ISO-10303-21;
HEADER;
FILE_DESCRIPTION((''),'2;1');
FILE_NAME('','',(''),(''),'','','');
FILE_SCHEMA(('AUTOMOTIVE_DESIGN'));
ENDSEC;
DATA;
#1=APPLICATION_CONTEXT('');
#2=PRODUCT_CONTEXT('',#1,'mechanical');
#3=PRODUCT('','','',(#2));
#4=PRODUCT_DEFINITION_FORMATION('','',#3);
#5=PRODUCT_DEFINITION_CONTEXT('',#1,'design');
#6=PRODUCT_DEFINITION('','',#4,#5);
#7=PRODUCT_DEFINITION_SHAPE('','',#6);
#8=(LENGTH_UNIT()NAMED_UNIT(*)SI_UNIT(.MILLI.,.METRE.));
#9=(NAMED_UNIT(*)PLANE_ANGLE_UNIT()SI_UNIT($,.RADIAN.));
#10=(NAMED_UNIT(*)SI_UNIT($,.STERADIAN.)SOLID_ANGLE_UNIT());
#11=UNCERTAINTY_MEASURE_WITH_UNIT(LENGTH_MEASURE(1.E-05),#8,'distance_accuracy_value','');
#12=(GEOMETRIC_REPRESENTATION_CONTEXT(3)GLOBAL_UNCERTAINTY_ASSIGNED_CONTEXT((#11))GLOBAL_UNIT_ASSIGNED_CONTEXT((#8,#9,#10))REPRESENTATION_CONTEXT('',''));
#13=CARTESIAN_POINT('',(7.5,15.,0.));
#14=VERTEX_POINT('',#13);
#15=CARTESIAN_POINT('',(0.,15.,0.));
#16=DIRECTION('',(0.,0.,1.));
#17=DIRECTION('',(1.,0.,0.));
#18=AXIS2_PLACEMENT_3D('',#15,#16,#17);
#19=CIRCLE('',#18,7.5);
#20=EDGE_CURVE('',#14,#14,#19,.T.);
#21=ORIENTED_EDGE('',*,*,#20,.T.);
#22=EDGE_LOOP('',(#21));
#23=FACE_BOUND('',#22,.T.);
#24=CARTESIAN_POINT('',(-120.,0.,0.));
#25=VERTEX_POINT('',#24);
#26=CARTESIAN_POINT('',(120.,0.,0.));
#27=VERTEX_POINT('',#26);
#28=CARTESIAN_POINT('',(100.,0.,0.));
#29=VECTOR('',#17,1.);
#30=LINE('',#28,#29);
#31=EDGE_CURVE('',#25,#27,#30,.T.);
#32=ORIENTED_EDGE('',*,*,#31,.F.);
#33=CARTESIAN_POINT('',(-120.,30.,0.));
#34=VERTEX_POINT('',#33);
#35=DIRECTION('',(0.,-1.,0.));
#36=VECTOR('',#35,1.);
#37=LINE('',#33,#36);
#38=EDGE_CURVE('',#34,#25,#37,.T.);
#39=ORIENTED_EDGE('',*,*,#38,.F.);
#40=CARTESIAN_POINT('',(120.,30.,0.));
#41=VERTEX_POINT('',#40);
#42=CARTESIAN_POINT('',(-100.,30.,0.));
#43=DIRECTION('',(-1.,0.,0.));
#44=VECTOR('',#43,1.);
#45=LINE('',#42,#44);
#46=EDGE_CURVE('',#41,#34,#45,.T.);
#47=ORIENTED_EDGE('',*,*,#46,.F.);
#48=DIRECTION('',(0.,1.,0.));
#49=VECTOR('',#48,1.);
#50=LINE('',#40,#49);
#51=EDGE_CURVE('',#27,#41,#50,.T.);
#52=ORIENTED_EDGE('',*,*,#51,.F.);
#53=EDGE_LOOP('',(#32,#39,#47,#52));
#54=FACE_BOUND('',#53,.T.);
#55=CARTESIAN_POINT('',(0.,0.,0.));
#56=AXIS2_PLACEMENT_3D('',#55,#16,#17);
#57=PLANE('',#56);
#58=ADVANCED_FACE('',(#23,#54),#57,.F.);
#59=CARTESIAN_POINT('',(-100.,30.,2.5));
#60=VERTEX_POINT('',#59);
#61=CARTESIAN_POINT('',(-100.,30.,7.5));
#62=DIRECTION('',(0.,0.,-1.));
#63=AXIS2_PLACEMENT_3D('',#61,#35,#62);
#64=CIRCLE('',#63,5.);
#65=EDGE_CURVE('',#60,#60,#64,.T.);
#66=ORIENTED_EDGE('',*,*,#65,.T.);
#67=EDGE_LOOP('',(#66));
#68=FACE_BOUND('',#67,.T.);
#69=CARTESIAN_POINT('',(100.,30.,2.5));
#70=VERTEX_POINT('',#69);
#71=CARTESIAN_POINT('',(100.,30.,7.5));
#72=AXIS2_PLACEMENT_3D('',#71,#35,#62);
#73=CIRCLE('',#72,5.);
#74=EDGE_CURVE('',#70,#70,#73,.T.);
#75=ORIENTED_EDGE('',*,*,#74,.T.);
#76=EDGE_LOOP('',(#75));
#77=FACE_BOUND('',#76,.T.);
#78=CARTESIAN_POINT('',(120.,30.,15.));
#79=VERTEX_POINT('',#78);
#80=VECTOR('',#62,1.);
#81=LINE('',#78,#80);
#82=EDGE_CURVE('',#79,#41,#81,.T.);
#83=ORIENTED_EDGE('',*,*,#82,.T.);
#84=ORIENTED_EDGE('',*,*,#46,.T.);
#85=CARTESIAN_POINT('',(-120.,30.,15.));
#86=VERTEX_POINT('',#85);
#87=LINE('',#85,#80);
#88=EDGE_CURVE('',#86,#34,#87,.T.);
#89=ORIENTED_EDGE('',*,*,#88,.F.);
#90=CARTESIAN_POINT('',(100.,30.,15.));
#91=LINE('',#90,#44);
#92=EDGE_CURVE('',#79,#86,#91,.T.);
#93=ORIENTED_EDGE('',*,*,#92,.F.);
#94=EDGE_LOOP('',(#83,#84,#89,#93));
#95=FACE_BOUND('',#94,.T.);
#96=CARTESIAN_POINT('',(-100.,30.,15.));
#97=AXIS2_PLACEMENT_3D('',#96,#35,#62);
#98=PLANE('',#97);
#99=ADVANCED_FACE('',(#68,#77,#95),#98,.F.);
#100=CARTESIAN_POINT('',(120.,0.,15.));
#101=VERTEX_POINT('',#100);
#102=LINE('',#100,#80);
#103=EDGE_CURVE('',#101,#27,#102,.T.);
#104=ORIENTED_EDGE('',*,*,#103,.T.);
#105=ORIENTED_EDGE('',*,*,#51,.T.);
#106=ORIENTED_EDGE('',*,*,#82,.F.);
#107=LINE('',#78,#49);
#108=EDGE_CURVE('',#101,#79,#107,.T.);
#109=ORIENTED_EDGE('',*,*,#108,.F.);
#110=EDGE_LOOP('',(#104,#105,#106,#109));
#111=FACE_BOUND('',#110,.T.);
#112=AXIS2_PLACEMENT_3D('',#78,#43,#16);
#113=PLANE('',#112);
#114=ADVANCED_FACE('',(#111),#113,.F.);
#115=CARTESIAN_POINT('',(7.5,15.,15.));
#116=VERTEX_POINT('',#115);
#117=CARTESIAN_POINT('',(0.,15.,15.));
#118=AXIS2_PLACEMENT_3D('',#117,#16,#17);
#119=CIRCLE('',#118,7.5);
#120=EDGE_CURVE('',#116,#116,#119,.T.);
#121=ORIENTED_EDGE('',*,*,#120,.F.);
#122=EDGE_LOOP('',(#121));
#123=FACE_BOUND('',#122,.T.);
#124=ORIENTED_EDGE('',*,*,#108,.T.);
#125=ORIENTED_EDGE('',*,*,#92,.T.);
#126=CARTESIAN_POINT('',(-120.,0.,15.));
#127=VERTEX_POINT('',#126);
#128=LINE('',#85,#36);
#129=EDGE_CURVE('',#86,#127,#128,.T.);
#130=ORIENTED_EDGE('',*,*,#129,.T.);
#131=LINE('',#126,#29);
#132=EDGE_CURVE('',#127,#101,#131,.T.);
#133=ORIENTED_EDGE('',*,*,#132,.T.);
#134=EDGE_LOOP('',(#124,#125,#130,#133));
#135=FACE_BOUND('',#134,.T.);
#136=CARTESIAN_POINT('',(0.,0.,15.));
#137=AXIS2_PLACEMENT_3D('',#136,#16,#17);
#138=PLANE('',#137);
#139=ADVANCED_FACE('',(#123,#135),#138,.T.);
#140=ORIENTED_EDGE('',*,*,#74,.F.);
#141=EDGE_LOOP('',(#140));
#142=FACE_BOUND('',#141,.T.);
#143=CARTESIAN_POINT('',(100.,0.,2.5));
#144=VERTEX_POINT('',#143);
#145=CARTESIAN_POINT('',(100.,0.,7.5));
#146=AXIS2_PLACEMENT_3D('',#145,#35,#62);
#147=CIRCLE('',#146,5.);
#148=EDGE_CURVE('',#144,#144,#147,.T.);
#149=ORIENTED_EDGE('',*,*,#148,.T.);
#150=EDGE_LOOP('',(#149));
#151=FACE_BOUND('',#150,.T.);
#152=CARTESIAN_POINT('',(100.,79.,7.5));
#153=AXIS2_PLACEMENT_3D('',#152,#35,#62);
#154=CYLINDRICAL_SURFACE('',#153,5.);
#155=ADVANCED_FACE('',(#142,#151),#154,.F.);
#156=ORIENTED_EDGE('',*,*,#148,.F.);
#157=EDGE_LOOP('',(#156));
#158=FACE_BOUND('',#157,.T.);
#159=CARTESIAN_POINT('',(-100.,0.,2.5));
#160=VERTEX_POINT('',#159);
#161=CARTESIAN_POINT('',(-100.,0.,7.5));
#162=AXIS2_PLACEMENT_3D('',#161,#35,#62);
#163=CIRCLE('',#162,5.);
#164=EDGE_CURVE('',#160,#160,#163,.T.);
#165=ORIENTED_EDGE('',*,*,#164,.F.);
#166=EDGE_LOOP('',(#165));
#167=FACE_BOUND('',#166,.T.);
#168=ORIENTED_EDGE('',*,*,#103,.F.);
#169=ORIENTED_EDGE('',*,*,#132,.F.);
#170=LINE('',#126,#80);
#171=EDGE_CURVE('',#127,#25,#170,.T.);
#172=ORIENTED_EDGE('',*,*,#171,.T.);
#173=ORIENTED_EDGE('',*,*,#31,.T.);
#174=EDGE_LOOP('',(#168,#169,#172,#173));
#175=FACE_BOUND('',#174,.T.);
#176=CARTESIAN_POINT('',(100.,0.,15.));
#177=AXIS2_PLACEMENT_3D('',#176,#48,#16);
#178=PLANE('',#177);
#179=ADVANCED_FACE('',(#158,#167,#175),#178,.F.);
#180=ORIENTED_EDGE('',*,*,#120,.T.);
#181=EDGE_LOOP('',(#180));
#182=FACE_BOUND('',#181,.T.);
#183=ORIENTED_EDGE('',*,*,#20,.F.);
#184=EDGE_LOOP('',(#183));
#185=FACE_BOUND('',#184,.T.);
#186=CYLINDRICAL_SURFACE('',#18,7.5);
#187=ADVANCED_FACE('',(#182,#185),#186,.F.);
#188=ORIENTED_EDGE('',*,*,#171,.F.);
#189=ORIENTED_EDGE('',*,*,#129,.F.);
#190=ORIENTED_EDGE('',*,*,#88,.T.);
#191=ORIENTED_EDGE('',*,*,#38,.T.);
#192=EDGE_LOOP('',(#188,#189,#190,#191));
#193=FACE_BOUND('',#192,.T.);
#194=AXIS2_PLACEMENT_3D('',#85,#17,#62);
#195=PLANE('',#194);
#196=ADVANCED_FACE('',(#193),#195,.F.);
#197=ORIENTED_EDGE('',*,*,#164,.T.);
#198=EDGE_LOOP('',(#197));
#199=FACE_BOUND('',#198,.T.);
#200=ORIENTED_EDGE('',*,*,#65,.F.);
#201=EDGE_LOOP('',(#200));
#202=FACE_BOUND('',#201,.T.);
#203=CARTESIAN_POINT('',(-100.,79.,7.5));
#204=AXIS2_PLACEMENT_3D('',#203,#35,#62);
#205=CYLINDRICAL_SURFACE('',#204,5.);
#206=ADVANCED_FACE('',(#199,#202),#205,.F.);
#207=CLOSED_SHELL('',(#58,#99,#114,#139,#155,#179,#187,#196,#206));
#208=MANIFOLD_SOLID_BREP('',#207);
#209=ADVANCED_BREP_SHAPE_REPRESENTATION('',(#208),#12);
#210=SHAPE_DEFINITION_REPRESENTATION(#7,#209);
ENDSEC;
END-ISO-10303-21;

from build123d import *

# Parameters (mm, degrees)
RESSALTO_EXTRUS_O1_DEPTH = 15
CORTE_EXTRUS_O1_DEPTH    = 15
ESBO_O10_R               = 5
CORTE_EXTRUS_O9_DEPTH    = 79


with BuildPart() as part:
    # Esboço1 → Ressalto-extrusão1 (new body)
    with BuildSketch(Plane.XY):
        Polygon((100, 0), (-100, 0), (-120, 0), (-120, 30), (-100, 30), (100, 30), (120, 30), (120, 0), align=None)
    extrude(amount=RESSALTO_EXTRUS_O1_DEPTH)

    # Esboço2 → Corte-extrusão1 (cut)
    with BuildSketch(Plane.XY.offset(15)):
        with BuildLine():
            ThreePointArc((7.5, 15), (5.303300859, 20.303300859), (0, 22.5))
            Line((0, 22.5), (0, 7.5))
            ThreePointArc((0, 7.5), (5.303300859, 9.696699141), (7.5, 15))
        make_face()
        with BuildLine():
            Line((0, 7.5), (0, 22.5))
            ThreePointArc((0, 22.5), (-7.5, 15), (0, 7.5))
        make_face()
    extrude(amount=-CORTE_EXTRUS_O1_DEPTH, mode=Mode.SUBTRACT)

    # Esboço10 → Corte-extrusão9 (cut)
    with BuildSketch(Plane(origin=(0, 0, 0), x_dir=(-1, 0, 0), z_dir=(0, -1, 0))):
        with Locations(Location((100, -7.5, 0), (0, 0, 90))):
            Circle(ESBO_O10_R)
        with Locations(Location((-100, -7.5, 0), (0, 0, 90))):
            Circle(ESBO_O10_R)
    extrude(amount=-CORTE_EXTRUS_O9_DEPTH, mode=Mode.SUBTRACT)


solid = part.part
